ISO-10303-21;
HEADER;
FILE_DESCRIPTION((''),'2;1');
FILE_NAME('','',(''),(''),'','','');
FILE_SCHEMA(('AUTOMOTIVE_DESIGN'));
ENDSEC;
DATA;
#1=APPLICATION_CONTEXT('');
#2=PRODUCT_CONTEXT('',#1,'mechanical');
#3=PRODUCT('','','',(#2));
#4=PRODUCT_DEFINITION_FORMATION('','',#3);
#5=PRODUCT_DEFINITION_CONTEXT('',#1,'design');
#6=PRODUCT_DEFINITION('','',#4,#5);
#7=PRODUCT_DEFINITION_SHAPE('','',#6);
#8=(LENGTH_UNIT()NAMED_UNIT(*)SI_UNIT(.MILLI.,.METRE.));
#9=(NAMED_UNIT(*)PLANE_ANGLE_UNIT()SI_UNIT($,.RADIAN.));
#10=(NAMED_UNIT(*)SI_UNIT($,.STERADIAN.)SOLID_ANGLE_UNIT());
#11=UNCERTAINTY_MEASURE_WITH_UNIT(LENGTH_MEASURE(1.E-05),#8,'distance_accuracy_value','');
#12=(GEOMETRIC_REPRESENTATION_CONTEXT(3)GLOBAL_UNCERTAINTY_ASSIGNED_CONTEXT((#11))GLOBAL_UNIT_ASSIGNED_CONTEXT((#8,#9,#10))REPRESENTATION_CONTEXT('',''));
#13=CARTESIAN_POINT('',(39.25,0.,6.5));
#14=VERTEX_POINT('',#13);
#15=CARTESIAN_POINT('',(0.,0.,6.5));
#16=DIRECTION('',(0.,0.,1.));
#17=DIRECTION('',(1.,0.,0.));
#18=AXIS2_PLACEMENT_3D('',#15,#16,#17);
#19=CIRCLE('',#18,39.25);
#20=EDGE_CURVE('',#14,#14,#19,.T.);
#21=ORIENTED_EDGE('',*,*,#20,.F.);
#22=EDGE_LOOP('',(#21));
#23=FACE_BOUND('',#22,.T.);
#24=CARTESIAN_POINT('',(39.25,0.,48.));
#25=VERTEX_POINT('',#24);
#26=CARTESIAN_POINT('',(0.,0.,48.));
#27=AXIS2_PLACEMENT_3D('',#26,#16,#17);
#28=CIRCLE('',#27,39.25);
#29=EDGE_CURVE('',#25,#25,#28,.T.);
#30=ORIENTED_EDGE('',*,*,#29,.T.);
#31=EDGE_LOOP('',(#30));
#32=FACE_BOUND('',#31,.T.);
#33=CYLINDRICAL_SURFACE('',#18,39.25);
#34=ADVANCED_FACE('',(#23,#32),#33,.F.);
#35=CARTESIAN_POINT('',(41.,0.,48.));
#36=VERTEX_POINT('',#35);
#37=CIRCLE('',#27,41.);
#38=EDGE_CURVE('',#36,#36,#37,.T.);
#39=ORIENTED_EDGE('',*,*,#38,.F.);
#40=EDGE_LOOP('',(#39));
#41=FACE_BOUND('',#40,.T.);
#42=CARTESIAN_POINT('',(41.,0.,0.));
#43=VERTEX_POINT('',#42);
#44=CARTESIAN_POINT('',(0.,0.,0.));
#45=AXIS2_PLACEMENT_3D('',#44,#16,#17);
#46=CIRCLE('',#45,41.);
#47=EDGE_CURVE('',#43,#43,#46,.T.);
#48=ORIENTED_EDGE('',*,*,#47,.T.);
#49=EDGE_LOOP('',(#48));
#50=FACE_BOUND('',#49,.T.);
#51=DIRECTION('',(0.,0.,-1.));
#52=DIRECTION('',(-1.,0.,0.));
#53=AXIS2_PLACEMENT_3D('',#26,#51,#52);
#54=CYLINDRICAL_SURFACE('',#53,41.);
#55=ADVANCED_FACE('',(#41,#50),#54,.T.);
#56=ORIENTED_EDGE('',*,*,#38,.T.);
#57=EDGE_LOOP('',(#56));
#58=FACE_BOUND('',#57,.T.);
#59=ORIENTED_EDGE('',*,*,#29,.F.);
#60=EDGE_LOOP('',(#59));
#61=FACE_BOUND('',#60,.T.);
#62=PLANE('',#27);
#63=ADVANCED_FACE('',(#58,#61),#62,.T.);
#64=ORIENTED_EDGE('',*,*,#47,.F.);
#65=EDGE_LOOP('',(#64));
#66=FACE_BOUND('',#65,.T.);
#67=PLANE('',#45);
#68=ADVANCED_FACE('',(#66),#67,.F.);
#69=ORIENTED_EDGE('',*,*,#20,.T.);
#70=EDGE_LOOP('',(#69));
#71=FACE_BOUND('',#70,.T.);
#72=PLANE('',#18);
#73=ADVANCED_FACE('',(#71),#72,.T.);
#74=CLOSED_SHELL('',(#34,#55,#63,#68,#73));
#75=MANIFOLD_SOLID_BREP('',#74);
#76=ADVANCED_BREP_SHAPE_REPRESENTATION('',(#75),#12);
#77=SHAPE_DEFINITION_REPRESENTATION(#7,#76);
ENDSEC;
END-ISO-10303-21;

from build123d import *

# Parameters (mm, degrees)
SKETCH_1_R          = 41
EXTRUDE_1_DEPTH     = 48
SKETCH_2_R          = 39.25
CUT_EXTRUDE_1_DEPTH = 41.5


with BuildPart() as part:
    # 草图1 → 凸台-拉伸1 (new body)
    with BuildSketch(Plane.XY):
        Circle(SKETCH_1_R)
    extrude(amount=EXTRUDE_1_DEPTH)

    # 草图2 → 切除-拉伸1 (cut)
    with BuildSketch(Plane.XY.offset(48)):
        Circle(SKETCH_2_R)
    extrude(amount=-CUT_EXTRUDE_1_DEPTH, mode=Mode.SUBTRACT)


solid = part.part
